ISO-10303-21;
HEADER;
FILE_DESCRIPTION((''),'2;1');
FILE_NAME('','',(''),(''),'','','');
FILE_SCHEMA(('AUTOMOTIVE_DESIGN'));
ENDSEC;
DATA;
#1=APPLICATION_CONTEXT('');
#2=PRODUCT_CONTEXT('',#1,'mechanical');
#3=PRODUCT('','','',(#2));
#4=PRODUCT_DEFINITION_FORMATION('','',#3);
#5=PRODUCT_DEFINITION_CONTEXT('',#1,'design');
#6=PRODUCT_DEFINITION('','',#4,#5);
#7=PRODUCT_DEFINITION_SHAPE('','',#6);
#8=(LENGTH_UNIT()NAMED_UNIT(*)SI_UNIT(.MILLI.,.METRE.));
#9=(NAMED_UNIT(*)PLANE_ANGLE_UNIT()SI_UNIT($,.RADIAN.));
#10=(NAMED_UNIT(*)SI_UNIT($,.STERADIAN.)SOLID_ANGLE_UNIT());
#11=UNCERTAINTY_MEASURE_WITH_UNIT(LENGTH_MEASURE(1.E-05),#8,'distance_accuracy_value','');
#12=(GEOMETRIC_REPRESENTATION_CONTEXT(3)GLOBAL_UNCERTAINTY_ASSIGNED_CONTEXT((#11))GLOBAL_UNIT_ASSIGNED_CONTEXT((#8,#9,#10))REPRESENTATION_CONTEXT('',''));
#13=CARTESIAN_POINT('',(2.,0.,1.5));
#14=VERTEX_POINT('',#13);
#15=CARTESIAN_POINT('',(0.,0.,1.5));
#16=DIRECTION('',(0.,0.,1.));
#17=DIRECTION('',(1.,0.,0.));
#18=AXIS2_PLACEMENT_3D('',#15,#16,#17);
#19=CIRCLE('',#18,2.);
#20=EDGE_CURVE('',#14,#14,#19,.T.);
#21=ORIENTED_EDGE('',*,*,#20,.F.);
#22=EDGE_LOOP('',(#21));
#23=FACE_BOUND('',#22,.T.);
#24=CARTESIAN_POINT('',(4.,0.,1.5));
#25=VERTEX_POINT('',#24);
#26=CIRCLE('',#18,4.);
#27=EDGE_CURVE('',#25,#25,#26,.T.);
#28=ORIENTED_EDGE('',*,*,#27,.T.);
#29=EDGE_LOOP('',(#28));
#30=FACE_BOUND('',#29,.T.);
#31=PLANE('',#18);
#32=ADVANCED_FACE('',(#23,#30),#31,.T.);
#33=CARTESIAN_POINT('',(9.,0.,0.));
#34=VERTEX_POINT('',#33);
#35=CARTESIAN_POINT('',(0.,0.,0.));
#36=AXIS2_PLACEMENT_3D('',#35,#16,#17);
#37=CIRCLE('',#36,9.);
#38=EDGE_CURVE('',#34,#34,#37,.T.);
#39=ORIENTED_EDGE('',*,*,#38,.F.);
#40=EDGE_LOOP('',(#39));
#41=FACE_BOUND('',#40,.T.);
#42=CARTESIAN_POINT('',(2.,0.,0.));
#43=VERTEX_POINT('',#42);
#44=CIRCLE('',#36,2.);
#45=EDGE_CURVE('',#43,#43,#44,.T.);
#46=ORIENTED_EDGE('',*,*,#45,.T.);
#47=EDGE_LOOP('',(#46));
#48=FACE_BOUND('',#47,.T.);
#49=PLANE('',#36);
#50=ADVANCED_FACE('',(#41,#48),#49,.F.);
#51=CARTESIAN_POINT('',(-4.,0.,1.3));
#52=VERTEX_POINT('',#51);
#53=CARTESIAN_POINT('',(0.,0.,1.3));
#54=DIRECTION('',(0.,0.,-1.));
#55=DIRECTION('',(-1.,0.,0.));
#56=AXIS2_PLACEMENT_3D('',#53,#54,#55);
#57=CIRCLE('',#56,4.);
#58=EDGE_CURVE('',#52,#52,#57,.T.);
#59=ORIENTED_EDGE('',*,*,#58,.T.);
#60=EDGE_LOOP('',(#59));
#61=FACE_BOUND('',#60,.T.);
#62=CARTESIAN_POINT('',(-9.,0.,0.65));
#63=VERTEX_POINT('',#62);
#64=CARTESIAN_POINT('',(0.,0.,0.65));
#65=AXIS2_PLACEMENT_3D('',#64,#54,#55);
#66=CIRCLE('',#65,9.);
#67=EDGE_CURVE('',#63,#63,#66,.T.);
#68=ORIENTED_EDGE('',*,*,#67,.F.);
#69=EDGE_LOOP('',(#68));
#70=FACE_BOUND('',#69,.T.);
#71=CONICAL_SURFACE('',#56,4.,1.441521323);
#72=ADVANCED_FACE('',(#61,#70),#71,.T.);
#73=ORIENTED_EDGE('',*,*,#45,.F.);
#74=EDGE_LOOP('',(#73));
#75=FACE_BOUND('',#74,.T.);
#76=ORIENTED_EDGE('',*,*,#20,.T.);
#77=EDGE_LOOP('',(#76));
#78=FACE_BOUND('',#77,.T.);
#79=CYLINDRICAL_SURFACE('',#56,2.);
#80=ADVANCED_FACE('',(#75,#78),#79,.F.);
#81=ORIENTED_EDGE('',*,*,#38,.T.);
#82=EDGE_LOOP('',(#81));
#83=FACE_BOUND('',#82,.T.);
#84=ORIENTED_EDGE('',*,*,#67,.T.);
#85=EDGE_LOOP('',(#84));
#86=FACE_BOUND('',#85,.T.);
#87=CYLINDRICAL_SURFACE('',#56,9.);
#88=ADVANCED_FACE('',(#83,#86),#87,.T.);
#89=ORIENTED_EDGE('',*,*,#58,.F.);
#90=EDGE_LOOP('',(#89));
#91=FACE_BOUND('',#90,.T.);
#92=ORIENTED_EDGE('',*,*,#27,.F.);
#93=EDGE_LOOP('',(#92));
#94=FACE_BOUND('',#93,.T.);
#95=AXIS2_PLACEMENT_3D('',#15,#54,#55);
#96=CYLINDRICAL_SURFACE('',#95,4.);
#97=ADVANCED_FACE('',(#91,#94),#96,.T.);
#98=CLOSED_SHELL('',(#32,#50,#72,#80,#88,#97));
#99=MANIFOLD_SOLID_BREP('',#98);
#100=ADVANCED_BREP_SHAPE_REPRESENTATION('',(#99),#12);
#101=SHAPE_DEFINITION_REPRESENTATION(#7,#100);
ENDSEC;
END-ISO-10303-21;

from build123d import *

# Parameters (mm, degrees)
SKETCH_1_R      = 9
SKETCH_1_R_2    = 2
EXTRUDE_1_DEPTH = 1.3
SKETCH_2_R      = 4
SKETCH_2_R_2    = 2
EXTRUDE_2_DEPTH = 0.2


with BuildPart() as part:
    # Эскиз1 → Бобышка-Вытянуть1 (new body)
    with BuildSketch(Plane.XY):
        Circle(SKETCH_1_R)
        Circle(SKETCH_1_R_2, mode=Mode.SUBTRACT)
    extrude(amount=EXTRUDE_1_DEPTH)

    # Эскиз2 → Бобышка-Вытянуть2 (add)
    with BuildSketch(Plane.XY.offset(1.3)):
        Circle(SKETCH_2_R)
        Circle(SKETCH_2_R_2, mode=Mode.SUBTRACT)
    extrude(amount=EXTRUDE_2_DEPTH)

    # Эскиз3 → Вырез-Повернуть1 (revolve, cut)
    with BuildSketch(Plane(origin=(0, 0, 0), x_dir=(1, 0, 0), z_dir=(0, 1, 0))):
        Polygon((-4, -1.3), (-9, -0.65), (-9, -1.3), align=None)
    revolve(axis=Axis((0, 0, 0), (0, 0, 1)), mode=Mode.SUBTRACT)


solid = part.part
